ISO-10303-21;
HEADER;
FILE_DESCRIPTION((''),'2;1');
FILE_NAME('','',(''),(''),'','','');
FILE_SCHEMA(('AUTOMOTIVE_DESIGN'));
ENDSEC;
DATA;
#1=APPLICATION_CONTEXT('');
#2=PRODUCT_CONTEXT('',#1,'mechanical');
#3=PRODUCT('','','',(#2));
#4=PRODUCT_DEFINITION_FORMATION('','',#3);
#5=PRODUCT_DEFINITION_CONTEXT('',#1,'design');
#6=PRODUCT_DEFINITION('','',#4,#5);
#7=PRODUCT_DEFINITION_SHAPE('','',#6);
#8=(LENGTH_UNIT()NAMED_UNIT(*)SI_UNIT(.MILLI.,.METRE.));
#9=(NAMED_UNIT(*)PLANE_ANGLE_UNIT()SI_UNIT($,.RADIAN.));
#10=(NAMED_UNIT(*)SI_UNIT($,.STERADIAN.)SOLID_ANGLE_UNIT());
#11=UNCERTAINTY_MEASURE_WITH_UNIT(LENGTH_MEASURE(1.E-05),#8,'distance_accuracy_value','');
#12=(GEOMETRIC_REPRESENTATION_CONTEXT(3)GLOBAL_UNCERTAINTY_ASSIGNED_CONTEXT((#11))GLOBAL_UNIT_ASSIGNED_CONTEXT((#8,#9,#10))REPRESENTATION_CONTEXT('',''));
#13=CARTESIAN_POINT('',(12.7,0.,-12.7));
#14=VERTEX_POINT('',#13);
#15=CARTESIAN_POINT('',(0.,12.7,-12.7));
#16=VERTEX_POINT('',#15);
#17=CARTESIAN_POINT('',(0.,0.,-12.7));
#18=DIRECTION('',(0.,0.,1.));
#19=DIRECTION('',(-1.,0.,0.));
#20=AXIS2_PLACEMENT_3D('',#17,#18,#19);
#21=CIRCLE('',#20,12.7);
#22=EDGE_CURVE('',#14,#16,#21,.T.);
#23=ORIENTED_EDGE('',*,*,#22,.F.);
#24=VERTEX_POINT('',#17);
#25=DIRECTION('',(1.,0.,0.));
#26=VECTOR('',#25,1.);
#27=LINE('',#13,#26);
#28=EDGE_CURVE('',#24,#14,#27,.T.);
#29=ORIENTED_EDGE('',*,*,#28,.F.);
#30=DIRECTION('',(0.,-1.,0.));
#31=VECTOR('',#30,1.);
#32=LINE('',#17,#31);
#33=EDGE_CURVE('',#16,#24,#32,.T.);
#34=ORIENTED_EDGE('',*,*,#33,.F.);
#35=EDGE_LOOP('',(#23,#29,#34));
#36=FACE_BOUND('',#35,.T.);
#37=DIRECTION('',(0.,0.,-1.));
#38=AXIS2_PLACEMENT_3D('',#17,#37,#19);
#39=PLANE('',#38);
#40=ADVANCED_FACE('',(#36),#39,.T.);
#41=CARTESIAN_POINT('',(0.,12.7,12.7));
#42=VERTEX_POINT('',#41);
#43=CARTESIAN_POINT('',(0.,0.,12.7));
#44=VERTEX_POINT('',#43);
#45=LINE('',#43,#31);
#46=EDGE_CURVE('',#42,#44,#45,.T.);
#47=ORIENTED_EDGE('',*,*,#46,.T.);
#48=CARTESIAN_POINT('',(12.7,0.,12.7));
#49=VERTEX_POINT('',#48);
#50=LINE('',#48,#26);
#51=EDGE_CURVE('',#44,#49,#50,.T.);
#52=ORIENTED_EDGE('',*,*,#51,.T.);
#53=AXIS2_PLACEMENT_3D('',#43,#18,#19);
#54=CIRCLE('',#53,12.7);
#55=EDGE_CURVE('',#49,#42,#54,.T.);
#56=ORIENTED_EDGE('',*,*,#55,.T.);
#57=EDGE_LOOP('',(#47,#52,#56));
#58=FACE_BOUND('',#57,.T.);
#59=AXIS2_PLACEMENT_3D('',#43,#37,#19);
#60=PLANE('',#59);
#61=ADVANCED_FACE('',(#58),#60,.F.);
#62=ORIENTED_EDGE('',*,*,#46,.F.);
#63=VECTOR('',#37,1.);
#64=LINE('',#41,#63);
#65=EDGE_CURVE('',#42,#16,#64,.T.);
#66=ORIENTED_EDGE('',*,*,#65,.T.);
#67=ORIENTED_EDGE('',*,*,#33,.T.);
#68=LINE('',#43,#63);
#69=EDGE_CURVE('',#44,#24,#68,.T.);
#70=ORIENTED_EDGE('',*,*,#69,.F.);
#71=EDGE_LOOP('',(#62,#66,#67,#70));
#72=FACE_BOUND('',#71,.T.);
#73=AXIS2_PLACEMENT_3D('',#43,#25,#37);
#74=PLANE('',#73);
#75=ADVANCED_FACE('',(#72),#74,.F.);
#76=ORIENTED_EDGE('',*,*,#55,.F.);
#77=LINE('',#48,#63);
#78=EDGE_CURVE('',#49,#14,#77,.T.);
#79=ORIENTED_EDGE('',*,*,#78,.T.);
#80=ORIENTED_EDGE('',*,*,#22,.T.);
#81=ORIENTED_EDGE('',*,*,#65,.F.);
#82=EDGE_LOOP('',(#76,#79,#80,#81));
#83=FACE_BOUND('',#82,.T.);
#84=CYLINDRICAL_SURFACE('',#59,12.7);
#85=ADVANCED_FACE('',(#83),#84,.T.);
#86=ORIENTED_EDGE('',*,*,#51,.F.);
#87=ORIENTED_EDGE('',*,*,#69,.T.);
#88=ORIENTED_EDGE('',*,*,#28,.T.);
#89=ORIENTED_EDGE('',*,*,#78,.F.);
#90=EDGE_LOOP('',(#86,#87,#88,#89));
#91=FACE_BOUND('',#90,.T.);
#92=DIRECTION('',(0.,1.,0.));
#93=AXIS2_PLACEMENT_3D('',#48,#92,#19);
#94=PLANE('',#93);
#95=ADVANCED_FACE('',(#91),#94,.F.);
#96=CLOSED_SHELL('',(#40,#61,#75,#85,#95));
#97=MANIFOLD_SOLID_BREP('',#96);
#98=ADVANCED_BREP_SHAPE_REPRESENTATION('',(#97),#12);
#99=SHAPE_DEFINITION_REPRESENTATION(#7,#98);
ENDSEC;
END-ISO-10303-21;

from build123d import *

# Parameters (mm, degrees)
EXTRUDE1_DEPTH = 12.7


with BuildPart() as part:
    # Sketch1 → Extrude1 (new body, symmetric)
    with BuildSketch(Plane.XY):
        with BuildLine():
            Line((12.7, 0), (0, 0))
            Line((0, 0), (0, 12.7))
            ThreePointArc((0, 12.7), (8.980256121, 8.980256121), (12.7, 0))
        make_face()
    extrude(amount=EXTRUDE1_DEPTH, both=True)


solid = part.part
